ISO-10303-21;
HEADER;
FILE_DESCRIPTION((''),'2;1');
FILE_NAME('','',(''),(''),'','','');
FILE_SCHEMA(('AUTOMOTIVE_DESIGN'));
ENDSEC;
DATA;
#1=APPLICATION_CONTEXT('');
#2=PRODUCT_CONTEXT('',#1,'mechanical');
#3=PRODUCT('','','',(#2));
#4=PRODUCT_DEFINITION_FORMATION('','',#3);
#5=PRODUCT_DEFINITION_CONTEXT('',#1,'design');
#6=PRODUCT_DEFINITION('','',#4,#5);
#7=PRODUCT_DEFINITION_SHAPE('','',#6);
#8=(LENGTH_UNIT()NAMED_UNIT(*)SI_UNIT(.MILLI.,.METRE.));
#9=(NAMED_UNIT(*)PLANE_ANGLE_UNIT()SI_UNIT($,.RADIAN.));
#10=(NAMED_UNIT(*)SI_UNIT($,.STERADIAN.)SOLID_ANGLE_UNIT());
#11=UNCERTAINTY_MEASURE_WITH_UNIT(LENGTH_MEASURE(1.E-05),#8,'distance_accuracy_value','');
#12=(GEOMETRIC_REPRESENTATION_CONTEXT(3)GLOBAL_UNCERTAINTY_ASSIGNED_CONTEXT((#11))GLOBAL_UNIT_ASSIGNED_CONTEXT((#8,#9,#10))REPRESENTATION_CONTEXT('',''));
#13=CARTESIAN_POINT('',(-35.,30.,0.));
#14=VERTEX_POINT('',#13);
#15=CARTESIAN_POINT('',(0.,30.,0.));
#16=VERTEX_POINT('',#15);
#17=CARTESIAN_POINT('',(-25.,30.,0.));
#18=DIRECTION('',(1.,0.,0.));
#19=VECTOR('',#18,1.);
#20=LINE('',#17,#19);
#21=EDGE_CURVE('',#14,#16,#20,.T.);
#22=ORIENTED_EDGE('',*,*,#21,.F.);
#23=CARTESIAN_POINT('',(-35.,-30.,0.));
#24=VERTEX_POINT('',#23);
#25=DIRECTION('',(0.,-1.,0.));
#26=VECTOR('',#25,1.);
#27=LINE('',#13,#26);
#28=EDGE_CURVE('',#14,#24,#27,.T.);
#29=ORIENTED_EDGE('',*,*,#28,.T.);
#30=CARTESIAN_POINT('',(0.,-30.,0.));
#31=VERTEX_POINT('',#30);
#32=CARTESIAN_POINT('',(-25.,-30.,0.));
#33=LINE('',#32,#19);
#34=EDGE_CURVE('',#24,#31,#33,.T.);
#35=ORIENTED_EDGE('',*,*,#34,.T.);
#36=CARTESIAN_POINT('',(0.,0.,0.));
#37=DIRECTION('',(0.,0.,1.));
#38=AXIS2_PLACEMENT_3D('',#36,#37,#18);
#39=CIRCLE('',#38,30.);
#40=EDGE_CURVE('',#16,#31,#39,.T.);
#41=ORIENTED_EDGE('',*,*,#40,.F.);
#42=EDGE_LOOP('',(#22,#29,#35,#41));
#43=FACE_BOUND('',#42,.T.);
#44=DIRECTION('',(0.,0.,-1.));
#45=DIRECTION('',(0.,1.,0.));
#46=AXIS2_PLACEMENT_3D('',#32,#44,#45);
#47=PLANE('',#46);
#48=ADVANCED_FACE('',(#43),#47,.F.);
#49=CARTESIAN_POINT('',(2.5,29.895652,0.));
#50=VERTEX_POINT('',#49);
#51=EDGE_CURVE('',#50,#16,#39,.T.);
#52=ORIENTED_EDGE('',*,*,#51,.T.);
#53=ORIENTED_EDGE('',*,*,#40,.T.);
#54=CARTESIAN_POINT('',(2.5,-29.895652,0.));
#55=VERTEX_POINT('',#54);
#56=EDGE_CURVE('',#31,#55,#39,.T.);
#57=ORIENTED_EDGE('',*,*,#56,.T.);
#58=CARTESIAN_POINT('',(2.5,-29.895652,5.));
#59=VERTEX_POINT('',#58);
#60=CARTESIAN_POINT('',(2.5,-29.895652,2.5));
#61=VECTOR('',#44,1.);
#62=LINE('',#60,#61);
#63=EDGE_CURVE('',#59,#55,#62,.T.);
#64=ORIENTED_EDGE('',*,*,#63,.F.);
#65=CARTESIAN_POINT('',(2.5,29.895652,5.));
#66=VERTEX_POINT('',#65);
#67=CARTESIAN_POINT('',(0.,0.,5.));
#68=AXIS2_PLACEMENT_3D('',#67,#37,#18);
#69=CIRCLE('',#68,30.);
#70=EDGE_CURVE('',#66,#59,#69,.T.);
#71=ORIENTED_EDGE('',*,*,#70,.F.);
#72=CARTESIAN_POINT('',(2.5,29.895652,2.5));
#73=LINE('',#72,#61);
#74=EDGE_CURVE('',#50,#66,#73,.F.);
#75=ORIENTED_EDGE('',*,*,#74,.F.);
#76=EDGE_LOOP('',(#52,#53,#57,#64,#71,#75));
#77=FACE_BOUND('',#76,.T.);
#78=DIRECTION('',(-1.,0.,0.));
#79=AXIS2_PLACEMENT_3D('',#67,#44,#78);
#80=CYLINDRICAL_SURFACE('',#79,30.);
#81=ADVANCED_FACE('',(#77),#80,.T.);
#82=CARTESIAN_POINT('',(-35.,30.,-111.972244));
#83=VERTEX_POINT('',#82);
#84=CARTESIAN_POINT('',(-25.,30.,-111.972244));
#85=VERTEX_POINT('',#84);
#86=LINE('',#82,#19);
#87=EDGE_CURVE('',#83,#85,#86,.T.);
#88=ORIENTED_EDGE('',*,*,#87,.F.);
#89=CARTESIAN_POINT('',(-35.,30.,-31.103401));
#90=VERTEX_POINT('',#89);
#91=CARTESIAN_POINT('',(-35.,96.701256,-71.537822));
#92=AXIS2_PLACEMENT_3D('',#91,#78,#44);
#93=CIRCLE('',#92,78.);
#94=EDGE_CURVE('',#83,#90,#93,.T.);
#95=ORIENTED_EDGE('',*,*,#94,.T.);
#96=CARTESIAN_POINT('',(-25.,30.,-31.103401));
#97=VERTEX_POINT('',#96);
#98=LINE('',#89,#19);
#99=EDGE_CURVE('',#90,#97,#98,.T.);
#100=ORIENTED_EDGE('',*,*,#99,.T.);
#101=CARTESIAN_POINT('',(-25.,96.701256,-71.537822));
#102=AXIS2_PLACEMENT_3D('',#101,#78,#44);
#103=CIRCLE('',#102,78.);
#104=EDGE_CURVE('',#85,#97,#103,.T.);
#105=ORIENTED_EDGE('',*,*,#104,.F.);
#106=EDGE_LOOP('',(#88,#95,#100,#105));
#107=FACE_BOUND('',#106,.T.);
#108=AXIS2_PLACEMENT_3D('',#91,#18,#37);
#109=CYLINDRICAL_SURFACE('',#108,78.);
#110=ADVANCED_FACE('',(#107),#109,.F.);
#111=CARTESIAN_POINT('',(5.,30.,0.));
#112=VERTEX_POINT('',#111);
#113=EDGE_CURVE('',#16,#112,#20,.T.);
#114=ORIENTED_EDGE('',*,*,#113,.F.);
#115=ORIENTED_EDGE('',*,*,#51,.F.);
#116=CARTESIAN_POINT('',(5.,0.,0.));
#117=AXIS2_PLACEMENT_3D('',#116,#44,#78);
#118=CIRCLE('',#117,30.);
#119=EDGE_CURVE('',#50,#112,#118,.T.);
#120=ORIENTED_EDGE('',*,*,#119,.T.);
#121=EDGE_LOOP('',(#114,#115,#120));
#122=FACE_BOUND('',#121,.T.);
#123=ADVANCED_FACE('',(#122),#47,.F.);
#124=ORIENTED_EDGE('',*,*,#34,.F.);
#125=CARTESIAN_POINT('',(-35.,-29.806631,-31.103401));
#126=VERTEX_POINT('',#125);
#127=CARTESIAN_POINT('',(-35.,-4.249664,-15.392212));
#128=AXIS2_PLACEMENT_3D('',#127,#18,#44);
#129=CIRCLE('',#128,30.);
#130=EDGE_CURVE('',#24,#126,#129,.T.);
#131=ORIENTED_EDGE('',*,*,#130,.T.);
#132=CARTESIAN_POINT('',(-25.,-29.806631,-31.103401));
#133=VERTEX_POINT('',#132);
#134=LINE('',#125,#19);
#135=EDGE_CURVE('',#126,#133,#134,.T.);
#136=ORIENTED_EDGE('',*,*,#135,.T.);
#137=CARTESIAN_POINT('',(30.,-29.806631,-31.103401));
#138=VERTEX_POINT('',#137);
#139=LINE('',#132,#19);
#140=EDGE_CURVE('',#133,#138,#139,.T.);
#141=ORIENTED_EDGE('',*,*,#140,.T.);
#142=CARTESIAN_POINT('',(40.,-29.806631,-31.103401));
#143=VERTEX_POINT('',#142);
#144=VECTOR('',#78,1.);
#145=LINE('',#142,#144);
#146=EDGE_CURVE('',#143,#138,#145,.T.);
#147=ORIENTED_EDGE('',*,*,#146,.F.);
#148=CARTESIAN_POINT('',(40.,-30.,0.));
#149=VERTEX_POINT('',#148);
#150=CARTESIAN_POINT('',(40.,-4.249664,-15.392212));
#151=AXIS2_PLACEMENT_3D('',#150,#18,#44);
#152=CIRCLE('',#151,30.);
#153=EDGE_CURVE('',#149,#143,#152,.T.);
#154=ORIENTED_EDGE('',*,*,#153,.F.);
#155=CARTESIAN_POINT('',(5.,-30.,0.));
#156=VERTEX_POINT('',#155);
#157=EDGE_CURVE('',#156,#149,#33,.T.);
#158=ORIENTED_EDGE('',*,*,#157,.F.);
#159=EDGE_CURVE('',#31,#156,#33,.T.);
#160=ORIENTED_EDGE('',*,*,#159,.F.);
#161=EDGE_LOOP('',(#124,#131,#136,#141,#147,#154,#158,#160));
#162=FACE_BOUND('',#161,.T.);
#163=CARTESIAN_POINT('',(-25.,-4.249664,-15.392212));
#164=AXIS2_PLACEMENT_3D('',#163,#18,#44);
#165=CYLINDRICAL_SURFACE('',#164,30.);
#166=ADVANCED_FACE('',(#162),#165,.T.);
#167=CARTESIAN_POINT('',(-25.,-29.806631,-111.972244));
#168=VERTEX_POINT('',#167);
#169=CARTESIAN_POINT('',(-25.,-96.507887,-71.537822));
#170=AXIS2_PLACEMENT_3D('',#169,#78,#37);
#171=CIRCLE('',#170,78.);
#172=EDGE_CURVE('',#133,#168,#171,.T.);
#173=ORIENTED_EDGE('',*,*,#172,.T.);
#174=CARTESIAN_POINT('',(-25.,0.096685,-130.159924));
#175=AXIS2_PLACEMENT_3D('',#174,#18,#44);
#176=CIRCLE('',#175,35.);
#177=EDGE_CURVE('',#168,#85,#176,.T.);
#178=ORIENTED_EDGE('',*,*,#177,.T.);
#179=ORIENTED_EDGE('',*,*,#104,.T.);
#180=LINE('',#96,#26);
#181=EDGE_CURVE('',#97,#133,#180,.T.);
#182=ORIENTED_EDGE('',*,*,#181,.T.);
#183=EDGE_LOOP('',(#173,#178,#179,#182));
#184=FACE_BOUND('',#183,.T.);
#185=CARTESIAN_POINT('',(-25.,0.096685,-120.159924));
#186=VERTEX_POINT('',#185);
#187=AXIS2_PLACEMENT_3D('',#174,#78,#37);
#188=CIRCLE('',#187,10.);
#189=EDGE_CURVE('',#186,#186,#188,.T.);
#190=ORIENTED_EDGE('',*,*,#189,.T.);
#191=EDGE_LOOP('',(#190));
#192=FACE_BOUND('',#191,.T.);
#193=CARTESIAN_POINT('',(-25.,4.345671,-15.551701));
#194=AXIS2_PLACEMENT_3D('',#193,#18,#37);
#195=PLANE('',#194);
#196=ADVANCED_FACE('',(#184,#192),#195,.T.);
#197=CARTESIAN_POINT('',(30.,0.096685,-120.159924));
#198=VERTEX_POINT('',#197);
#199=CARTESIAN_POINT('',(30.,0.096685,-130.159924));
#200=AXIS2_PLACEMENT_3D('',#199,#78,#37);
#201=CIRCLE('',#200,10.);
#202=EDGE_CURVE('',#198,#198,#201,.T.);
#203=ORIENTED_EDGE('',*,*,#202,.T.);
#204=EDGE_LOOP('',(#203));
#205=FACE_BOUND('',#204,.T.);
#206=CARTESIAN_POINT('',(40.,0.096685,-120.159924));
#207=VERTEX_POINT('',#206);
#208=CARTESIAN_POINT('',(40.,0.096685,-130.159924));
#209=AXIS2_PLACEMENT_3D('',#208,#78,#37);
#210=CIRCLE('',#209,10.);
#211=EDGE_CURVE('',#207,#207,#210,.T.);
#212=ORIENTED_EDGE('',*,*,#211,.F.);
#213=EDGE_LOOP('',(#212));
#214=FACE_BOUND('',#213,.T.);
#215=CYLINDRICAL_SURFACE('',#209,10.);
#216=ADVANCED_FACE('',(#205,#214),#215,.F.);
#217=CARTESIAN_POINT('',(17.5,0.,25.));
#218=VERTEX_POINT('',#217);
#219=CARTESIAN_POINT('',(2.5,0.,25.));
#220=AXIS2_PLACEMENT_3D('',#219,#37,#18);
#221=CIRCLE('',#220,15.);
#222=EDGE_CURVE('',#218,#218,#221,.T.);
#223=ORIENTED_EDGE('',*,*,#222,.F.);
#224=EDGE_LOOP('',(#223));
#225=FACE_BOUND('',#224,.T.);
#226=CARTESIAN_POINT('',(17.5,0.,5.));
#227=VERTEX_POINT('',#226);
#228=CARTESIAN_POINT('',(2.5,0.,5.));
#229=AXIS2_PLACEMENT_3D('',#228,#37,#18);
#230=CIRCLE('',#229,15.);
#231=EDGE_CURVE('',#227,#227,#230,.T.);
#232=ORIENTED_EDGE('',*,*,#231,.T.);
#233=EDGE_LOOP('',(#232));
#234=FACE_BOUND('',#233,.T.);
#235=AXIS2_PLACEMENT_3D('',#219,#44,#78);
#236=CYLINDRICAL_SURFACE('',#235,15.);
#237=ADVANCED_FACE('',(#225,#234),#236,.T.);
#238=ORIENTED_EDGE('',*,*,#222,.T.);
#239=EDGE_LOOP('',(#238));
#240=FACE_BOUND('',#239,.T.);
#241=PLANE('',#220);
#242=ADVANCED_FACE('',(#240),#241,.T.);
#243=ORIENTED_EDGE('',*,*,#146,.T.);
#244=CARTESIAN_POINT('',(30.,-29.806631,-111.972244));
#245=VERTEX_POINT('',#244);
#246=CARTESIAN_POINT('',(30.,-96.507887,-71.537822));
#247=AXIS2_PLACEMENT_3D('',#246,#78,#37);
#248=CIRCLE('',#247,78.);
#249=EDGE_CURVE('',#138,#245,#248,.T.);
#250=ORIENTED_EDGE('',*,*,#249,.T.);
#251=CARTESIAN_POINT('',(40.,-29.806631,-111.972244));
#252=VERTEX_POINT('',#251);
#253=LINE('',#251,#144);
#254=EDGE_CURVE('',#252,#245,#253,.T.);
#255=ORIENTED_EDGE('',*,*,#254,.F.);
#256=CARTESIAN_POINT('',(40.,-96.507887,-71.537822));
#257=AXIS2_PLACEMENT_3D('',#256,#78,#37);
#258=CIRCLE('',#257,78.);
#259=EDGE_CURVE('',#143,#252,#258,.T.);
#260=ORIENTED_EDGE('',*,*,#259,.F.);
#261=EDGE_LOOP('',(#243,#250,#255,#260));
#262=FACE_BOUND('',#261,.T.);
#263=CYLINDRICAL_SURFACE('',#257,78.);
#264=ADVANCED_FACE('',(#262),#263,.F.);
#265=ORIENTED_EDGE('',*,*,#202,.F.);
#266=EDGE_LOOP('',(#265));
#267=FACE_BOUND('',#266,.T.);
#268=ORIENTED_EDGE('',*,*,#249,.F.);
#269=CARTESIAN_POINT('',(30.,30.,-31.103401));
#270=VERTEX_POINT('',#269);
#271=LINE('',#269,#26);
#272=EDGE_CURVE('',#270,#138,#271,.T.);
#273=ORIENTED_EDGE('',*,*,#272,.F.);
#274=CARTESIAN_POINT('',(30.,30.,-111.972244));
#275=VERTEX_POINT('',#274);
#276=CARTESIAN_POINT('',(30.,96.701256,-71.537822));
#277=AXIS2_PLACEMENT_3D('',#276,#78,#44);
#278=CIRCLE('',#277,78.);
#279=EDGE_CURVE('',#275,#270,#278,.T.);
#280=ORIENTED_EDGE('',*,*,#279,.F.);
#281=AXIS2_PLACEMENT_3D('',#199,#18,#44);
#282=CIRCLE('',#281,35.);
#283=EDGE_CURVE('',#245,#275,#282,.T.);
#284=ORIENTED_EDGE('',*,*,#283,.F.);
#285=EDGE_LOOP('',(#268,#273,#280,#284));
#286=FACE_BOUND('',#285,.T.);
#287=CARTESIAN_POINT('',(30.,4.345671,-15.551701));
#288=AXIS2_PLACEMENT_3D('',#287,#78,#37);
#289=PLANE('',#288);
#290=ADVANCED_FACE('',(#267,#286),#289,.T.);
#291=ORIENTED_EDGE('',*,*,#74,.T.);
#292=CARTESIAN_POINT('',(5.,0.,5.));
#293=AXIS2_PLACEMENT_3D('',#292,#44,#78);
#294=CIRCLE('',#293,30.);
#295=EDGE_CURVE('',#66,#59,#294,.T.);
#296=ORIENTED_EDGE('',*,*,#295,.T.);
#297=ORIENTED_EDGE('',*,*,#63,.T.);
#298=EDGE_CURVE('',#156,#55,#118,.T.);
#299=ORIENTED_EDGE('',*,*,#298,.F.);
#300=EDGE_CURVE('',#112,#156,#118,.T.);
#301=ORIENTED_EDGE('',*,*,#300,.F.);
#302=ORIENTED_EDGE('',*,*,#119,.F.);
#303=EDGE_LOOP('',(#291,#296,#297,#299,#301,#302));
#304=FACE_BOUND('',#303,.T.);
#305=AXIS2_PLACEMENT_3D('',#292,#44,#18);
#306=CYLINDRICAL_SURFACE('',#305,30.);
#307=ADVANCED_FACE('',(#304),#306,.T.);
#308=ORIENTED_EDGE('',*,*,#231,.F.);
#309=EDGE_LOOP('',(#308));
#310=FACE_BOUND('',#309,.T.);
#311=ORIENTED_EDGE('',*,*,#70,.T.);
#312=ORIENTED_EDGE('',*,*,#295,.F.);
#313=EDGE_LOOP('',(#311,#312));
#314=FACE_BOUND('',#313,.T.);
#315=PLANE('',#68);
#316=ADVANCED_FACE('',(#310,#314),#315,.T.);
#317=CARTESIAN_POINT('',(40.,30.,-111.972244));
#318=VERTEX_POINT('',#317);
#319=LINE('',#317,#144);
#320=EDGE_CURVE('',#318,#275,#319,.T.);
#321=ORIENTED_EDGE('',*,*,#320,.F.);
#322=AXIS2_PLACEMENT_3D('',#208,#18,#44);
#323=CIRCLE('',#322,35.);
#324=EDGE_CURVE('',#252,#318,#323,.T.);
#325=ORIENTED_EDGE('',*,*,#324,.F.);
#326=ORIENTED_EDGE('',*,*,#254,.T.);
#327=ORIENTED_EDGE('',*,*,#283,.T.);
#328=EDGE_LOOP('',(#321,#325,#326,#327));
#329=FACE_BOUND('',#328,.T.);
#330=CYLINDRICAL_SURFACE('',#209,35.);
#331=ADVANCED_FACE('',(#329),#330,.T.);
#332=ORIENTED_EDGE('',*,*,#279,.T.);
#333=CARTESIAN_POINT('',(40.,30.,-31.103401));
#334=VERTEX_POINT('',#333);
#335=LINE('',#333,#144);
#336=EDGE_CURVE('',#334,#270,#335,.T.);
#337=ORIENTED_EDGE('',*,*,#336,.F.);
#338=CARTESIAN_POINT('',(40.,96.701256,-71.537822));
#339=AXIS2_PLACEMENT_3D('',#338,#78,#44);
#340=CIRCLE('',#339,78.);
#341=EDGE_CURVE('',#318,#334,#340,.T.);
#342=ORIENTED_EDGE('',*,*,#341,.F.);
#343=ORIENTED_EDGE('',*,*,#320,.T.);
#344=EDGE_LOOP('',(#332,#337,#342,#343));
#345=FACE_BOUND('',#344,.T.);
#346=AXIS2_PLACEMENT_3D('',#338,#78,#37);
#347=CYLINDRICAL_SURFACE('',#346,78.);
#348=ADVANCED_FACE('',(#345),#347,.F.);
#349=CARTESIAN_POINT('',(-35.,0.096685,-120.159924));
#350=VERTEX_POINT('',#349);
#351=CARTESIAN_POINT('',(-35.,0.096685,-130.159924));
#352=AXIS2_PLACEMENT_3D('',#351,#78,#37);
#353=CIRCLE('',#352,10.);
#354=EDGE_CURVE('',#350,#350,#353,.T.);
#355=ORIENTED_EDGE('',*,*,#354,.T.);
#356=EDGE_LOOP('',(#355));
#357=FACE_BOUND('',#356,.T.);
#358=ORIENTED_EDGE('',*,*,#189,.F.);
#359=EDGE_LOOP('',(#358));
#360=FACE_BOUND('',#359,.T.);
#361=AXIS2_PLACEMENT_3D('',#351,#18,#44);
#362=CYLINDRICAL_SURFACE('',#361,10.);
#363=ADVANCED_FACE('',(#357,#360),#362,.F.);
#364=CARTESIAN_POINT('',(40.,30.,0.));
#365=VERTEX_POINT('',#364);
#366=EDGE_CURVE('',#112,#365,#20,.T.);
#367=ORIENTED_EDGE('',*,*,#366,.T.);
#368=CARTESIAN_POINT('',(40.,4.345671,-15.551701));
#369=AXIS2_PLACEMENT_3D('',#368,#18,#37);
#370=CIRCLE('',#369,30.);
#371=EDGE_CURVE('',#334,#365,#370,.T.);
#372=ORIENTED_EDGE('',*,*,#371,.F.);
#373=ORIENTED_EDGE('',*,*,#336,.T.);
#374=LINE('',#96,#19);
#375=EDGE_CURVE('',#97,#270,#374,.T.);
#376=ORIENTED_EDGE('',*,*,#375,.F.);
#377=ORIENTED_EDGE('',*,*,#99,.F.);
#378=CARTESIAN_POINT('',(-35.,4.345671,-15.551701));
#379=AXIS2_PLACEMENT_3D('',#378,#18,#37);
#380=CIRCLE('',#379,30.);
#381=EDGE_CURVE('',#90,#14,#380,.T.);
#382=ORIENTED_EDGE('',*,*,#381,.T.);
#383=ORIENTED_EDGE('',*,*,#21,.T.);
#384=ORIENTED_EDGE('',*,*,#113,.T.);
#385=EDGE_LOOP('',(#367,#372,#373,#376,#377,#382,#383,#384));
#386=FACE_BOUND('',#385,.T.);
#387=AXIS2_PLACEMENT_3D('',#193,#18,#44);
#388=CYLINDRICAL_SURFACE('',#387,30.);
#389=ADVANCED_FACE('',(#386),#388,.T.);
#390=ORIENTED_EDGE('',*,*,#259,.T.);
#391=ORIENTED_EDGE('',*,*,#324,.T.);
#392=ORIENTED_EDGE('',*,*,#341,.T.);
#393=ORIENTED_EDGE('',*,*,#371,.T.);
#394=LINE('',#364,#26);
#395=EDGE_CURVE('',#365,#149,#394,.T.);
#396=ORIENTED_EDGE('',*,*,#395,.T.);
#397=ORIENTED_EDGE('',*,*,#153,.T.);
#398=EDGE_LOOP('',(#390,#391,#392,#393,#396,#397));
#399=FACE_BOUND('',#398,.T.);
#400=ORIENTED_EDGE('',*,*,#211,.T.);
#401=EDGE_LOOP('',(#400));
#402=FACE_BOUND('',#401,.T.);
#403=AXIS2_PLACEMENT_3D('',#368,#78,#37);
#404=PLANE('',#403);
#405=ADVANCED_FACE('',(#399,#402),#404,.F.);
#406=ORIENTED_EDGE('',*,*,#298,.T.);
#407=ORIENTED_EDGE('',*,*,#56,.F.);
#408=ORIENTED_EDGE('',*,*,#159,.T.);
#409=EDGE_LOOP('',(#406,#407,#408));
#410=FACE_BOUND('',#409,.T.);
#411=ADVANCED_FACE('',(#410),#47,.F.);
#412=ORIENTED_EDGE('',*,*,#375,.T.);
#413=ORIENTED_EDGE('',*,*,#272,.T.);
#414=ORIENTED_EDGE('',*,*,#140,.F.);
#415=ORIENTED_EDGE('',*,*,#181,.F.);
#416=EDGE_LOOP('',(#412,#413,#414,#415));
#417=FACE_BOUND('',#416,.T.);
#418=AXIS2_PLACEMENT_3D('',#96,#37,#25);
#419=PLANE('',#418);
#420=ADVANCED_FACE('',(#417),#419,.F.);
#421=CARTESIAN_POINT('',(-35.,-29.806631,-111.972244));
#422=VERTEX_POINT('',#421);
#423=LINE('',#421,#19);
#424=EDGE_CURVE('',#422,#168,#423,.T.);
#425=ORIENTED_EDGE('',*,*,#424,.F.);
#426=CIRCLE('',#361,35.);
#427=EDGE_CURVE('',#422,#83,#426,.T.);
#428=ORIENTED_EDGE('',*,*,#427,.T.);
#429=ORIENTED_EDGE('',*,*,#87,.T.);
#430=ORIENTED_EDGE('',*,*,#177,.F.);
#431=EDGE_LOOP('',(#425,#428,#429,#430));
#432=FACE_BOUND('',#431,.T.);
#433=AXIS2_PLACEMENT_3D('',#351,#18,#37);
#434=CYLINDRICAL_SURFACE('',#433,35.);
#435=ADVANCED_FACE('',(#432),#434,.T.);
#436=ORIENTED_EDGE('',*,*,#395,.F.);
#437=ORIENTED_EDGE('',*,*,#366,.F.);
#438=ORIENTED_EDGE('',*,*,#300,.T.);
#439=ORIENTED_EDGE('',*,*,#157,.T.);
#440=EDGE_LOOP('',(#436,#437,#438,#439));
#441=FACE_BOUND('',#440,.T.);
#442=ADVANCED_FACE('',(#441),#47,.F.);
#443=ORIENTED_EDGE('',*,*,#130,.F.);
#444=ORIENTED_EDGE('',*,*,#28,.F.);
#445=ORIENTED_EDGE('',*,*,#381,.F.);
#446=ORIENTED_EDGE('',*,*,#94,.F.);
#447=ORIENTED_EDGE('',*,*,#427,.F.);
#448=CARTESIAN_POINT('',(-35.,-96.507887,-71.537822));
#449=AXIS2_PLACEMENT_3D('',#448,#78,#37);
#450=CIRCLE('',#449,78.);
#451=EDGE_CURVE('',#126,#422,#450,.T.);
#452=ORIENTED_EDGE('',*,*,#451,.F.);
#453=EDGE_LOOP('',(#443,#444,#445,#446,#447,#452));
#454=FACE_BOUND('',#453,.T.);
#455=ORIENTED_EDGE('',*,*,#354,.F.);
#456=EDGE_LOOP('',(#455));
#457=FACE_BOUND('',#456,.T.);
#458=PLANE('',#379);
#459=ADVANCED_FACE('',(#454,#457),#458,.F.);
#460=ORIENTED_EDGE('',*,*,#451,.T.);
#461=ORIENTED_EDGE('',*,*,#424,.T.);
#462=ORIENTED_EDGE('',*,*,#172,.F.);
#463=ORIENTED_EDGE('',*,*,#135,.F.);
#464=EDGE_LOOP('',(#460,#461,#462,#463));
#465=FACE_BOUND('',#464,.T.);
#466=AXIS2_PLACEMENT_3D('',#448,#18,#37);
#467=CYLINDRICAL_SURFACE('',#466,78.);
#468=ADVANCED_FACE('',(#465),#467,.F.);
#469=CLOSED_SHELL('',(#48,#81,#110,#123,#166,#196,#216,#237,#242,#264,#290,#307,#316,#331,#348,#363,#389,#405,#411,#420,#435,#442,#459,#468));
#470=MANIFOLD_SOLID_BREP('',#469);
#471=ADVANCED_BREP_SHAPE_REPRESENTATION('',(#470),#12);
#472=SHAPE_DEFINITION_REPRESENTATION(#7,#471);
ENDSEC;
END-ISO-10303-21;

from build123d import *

# Parameters (mm, degrees)
SKETCH1_R           = 30
BOSS_EXTRUDE1_DEPTH = 5
BOSS_EXTRUDE2_DEPTH = 10
BOSS_EXTRUDE3_DEPTH = 55
SKETCH4_R           = 15
BOSS_EXTRUDE4_DEPTH = 20
SKETCH5_R           = 10
CUT_EXTRUDE1_DEPTH  = 10


with BuildPart() as part:
    # Sketch1 → Boss-Extrude1 (new body)
    with BuildSketch(Plane.XY):
        Circle(SKETCH1_R)
    extrude(amount=BOSS_EXTRUDE1_DEPTH)



with BuildPart() as body_2:
    # Sketch2 → Boss-Extrude2 (new body)
    with BuildSketch(Plane(origin=(30, 0, 0), x_dir=(0, 0, -1), z_dir=(1, 0, 0))):
        with BuildLine():
            Line((0, 30), (0, -30))
            ThreePointArc((0, -30), (15.578718077, -34.24908425), (31.103401006, -29.80663067))
            ThreePointArc((31.103401006, -29.80663067), (71.537822314, -18.507886831), (111.972243623, -29.80663067))
            ThreePointArc((111.972243623, -29.80663067), (165.159924398, 0.096684665), (111.972243623, 30))
            ThreePointArc((111.972243623, 30), (71.537822314, 18.701256161), (31.103401006, 30))
            ThreePointArc((31.103401006, 30), (15.551700503, 34.345670707), (0, 30))
        make_face()
    extrude(amount=BOSS_EXTRUDE2_DEPTH)


with BuildPart() as part_1:
    add(part.part)

    add(body_2.part)  # Boss-Extrude3 merges body 2
    # Sketch3 → Boss-Extrude3 (add)
    with BuildSketch(Plane.ZY.offset(-30)):
        with BuildLine():
            Line((-31.103401006, 30), (-31.103401006, -29.80663067))
            ThreePointArc((-31.103401006, -29.80663067), (-15.578718077, -34.24908425), (0, -30))
            Line((0, -30), (0, 30))
            ThreePointArc((0, 30), (-15.551700503, 34.345670707), (-31.103401006, 30))
        make_face()
    extrude(amount=BOSS_EXTRUDE3_DEPTH)

    # Mirror1: part across plane


with BuildPart() as part_2:
    add(part_1.part)
    add(part_1.part.mirror(Plane.ZY.offset(-2.5)))

    # Sketch4 → Boss-Extrude4 (add)
    with BuildSketch(Plane.XY.offset(5)):
        with Locations((2.5, 0)):
            Circle(SKETCH4_R)
    extrude(amount=BOSS_EXTRUDE4_DEPTH)

    # Sketch5 → Cut-Extrude1 (cut)
    with BuildSketch(Plane.ZY.offset(-30)):
        with Locations((-130.159924398, 0.096684665)):
            Circle(SKETCH5_R)
    cut_extrude1 = extrude(amount=-CUT_EXTRUDE1_DEPTH, mode=Mode.SUBTRACT)

    # Mirror2: Cut-Extrude1 across plane
    add(cut_extrude1.mirror(Plane.ZY.offset(-2.5)), mode=Mode.SUBTRACT)


solid = part_2.part
